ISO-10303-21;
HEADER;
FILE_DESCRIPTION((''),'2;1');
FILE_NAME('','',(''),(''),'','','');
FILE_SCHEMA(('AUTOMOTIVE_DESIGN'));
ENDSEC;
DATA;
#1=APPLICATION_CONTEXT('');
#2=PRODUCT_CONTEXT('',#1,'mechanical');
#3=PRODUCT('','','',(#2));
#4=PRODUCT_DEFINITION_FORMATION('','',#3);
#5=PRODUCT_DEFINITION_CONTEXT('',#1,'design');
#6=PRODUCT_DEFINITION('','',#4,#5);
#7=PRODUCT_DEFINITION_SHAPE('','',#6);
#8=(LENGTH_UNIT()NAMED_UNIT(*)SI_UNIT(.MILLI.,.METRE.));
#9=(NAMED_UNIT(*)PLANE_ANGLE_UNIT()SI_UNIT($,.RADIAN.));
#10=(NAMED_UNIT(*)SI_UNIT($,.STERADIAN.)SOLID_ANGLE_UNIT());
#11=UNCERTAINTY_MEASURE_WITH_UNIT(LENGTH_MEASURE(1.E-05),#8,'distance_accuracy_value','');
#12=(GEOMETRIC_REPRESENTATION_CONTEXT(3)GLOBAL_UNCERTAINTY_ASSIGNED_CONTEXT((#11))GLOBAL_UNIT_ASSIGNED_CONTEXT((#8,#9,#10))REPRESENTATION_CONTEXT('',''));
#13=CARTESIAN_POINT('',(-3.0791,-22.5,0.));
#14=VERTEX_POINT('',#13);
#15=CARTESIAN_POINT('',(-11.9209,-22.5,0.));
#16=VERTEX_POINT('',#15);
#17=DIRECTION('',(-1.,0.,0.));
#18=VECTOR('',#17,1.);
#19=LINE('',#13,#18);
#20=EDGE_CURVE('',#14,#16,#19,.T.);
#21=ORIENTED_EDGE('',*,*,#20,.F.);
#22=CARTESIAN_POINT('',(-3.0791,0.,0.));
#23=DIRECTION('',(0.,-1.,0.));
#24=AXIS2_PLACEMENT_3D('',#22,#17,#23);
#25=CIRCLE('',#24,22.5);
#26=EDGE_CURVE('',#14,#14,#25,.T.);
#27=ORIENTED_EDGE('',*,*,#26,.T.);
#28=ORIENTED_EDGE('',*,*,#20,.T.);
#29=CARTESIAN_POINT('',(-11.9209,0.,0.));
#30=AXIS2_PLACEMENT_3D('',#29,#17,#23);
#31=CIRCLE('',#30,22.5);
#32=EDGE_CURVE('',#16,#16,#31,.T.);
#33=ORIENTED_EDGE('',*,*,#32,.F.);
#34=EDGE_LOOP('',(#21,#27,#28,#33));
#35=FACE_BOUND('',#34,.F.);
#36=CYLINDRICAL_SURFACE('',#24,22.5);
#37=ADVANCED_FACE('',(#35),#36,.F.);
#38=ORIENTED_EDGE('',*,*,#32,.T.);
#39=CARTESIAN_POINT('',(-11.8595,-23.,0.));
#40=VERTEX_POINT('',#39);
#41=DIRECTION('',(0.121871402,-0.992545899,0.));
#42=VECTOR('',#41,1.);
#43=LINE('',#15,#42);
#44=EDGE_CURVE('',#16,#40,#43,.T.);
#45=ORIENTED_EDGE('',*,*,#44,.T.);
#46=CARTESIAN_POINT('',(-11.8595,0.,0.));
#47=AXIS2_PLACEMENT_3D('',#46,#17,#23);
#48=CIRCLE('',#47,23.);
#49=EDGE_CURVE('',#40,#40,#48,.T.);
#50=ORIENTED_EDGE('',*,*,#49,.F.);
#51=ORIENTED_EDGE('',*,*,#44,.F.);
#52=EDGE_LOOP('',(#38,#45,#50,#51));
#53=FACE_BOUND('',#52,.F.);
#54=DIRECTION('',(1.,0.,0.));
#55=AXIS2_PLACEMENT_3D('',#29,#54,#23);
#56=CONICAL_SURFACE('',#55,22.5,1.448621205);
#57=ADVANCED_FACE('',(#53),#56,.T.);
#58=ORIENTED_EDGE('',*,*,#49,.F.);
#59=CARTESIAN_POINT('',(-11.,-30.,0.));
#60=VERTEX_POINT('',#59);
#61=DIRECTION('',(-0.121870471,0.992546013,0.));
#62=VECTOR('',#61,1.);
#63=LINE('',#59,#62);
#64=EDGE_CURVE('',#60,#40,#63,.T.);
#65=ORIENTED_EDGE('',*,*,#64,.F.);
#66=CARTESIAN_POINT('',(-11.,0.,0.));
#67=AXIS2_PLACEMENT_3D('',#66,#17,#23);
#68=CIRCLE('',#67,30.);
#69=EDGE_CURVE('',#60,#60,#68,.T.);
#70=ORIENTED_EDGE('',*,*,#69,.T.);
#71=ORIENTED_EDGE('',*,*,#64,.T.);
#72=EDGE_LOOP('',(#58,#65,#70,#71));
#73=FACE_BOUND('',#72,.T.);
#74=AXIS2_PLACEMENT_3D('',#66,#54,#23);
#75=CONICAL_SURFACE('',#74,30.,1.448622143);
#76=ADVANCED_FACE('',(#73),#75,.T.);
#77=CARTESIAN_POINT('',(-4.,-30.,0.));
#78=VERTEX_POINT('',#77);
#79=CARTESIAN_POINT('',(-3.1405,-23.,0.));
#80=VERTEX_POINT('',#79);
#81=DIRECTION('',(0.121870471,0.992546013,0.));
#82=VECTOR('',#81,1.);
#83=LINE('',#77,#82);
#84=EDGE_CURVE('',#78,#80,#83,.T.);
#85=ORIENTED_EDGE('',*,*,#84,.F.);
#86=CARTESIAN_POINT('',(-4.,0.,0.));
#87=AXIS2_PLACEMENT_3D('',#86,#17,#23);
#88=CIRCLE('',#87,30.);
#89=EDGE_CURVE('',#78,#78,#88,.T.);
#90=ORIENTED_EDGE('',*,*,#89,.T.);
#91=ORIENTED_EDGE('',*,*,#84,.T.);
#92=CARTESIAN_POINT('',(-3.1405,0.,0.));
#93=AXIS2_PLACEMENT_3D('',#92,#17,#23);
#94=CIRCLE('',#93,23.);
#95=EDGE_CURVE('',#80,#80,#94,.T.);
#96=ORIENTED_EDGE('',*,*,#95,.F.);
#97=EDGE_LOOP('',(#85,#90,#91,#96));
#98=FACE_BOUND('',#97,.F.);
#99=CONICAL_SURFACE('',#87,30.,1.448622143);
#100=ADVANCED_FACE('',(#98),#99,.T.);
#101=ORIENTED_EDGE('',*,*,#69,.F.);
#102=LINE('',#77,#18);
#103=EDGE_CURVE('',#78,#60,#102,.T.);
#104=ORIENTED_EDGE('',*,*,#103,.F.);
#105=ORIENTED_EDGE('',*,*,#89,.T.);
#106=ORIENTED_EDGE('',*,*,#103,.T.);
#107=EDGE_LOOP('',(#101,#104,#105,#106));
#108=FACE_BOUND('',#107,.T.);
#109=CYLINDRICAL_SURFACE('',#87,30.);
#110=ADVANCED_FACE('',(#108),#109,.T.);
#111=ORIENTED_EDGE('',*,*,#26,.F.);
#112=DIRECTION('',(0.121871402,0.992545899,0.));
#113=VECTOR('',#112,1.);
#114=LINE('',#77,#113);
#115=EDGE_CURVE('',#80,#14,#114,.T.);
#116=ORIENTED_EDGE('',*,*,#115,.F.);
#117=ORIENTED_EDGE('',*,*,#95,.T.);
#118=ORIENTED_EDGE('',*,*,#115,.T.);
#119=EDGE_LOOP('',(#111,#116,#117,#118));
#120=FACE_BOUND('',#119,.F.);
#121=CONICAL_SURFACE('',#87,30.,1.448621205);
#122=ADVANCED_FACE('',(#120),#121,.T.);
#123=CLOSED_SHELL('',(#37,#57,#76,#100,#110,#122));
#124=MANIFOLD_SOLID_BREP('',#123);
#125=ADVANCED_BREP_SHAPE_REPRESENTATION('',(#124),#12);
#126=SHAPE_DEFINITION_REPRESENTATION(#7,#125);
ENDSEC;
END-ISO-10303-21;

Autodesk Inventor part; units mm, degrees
ref_plane "YZ Plane" through (0, 0, 0) normal (1, 0, 0) x (0, 1, 0)
ref_plane "XZ Plane" through (0, 0, 0) normal (0, 1, 0) x (-1, 0, 0)
ref_plane "XY Plane" through (0, 0, 0) normal (0, 0, 1) x (1, 0, 0)
sketch "草图1" plane through (0, 0, 0) normal (0, 0, 1) x (1, 0, 0)
  line L0 (-4, -30) -> (-3.1405, -23)
  line L1 (-4, -30) -> (-11, -30) projected
  line L2 (-11, -30) -> (-11.8595, -23) projected
  line L3 (-11, -30) -> (-4, -30)
  line L4 (-11, -30) -> (-11.8595, -23) projected
  line L5 (-11, -30) -> (-11.8595, -23) projected
  line L6 (-11, -30) -> (-11.8595, -23) projected
  line L7 (-11, -30) -> (-11.8595, -23) projected
  line L8 (-12, 65) -> (-12, -65) projected
  line L9 (-11, -30) -> (-11.8595, -23) projected
  line L10 (0, 0) -> (-15, 0) construction
  line L11 (-11, -30) -> (-11.8595, -23) projected
  line L12 (-11.8595, -23) -> (-11, -30)
  line L13 (-11.8595, -23) -> (-11, -30)
  line L14 (-11.8595, -23) -> (-11, -30)
  line L15 (-4, -30) -> (-3.0791, -22.5)
  line L16 (-3.0791, -22.5) -> (-11.9209, -22.5)
  line L17 (-11.9209, -22.5) -> (-11, -30)
  dimension "d0" = 22.5
revolve "旋转1" add sketch "草图1" angle 360 about axis through (0, 0, 0) along (-1, 0, 0)
properties part number "低速轴油封" material "橡胶"
